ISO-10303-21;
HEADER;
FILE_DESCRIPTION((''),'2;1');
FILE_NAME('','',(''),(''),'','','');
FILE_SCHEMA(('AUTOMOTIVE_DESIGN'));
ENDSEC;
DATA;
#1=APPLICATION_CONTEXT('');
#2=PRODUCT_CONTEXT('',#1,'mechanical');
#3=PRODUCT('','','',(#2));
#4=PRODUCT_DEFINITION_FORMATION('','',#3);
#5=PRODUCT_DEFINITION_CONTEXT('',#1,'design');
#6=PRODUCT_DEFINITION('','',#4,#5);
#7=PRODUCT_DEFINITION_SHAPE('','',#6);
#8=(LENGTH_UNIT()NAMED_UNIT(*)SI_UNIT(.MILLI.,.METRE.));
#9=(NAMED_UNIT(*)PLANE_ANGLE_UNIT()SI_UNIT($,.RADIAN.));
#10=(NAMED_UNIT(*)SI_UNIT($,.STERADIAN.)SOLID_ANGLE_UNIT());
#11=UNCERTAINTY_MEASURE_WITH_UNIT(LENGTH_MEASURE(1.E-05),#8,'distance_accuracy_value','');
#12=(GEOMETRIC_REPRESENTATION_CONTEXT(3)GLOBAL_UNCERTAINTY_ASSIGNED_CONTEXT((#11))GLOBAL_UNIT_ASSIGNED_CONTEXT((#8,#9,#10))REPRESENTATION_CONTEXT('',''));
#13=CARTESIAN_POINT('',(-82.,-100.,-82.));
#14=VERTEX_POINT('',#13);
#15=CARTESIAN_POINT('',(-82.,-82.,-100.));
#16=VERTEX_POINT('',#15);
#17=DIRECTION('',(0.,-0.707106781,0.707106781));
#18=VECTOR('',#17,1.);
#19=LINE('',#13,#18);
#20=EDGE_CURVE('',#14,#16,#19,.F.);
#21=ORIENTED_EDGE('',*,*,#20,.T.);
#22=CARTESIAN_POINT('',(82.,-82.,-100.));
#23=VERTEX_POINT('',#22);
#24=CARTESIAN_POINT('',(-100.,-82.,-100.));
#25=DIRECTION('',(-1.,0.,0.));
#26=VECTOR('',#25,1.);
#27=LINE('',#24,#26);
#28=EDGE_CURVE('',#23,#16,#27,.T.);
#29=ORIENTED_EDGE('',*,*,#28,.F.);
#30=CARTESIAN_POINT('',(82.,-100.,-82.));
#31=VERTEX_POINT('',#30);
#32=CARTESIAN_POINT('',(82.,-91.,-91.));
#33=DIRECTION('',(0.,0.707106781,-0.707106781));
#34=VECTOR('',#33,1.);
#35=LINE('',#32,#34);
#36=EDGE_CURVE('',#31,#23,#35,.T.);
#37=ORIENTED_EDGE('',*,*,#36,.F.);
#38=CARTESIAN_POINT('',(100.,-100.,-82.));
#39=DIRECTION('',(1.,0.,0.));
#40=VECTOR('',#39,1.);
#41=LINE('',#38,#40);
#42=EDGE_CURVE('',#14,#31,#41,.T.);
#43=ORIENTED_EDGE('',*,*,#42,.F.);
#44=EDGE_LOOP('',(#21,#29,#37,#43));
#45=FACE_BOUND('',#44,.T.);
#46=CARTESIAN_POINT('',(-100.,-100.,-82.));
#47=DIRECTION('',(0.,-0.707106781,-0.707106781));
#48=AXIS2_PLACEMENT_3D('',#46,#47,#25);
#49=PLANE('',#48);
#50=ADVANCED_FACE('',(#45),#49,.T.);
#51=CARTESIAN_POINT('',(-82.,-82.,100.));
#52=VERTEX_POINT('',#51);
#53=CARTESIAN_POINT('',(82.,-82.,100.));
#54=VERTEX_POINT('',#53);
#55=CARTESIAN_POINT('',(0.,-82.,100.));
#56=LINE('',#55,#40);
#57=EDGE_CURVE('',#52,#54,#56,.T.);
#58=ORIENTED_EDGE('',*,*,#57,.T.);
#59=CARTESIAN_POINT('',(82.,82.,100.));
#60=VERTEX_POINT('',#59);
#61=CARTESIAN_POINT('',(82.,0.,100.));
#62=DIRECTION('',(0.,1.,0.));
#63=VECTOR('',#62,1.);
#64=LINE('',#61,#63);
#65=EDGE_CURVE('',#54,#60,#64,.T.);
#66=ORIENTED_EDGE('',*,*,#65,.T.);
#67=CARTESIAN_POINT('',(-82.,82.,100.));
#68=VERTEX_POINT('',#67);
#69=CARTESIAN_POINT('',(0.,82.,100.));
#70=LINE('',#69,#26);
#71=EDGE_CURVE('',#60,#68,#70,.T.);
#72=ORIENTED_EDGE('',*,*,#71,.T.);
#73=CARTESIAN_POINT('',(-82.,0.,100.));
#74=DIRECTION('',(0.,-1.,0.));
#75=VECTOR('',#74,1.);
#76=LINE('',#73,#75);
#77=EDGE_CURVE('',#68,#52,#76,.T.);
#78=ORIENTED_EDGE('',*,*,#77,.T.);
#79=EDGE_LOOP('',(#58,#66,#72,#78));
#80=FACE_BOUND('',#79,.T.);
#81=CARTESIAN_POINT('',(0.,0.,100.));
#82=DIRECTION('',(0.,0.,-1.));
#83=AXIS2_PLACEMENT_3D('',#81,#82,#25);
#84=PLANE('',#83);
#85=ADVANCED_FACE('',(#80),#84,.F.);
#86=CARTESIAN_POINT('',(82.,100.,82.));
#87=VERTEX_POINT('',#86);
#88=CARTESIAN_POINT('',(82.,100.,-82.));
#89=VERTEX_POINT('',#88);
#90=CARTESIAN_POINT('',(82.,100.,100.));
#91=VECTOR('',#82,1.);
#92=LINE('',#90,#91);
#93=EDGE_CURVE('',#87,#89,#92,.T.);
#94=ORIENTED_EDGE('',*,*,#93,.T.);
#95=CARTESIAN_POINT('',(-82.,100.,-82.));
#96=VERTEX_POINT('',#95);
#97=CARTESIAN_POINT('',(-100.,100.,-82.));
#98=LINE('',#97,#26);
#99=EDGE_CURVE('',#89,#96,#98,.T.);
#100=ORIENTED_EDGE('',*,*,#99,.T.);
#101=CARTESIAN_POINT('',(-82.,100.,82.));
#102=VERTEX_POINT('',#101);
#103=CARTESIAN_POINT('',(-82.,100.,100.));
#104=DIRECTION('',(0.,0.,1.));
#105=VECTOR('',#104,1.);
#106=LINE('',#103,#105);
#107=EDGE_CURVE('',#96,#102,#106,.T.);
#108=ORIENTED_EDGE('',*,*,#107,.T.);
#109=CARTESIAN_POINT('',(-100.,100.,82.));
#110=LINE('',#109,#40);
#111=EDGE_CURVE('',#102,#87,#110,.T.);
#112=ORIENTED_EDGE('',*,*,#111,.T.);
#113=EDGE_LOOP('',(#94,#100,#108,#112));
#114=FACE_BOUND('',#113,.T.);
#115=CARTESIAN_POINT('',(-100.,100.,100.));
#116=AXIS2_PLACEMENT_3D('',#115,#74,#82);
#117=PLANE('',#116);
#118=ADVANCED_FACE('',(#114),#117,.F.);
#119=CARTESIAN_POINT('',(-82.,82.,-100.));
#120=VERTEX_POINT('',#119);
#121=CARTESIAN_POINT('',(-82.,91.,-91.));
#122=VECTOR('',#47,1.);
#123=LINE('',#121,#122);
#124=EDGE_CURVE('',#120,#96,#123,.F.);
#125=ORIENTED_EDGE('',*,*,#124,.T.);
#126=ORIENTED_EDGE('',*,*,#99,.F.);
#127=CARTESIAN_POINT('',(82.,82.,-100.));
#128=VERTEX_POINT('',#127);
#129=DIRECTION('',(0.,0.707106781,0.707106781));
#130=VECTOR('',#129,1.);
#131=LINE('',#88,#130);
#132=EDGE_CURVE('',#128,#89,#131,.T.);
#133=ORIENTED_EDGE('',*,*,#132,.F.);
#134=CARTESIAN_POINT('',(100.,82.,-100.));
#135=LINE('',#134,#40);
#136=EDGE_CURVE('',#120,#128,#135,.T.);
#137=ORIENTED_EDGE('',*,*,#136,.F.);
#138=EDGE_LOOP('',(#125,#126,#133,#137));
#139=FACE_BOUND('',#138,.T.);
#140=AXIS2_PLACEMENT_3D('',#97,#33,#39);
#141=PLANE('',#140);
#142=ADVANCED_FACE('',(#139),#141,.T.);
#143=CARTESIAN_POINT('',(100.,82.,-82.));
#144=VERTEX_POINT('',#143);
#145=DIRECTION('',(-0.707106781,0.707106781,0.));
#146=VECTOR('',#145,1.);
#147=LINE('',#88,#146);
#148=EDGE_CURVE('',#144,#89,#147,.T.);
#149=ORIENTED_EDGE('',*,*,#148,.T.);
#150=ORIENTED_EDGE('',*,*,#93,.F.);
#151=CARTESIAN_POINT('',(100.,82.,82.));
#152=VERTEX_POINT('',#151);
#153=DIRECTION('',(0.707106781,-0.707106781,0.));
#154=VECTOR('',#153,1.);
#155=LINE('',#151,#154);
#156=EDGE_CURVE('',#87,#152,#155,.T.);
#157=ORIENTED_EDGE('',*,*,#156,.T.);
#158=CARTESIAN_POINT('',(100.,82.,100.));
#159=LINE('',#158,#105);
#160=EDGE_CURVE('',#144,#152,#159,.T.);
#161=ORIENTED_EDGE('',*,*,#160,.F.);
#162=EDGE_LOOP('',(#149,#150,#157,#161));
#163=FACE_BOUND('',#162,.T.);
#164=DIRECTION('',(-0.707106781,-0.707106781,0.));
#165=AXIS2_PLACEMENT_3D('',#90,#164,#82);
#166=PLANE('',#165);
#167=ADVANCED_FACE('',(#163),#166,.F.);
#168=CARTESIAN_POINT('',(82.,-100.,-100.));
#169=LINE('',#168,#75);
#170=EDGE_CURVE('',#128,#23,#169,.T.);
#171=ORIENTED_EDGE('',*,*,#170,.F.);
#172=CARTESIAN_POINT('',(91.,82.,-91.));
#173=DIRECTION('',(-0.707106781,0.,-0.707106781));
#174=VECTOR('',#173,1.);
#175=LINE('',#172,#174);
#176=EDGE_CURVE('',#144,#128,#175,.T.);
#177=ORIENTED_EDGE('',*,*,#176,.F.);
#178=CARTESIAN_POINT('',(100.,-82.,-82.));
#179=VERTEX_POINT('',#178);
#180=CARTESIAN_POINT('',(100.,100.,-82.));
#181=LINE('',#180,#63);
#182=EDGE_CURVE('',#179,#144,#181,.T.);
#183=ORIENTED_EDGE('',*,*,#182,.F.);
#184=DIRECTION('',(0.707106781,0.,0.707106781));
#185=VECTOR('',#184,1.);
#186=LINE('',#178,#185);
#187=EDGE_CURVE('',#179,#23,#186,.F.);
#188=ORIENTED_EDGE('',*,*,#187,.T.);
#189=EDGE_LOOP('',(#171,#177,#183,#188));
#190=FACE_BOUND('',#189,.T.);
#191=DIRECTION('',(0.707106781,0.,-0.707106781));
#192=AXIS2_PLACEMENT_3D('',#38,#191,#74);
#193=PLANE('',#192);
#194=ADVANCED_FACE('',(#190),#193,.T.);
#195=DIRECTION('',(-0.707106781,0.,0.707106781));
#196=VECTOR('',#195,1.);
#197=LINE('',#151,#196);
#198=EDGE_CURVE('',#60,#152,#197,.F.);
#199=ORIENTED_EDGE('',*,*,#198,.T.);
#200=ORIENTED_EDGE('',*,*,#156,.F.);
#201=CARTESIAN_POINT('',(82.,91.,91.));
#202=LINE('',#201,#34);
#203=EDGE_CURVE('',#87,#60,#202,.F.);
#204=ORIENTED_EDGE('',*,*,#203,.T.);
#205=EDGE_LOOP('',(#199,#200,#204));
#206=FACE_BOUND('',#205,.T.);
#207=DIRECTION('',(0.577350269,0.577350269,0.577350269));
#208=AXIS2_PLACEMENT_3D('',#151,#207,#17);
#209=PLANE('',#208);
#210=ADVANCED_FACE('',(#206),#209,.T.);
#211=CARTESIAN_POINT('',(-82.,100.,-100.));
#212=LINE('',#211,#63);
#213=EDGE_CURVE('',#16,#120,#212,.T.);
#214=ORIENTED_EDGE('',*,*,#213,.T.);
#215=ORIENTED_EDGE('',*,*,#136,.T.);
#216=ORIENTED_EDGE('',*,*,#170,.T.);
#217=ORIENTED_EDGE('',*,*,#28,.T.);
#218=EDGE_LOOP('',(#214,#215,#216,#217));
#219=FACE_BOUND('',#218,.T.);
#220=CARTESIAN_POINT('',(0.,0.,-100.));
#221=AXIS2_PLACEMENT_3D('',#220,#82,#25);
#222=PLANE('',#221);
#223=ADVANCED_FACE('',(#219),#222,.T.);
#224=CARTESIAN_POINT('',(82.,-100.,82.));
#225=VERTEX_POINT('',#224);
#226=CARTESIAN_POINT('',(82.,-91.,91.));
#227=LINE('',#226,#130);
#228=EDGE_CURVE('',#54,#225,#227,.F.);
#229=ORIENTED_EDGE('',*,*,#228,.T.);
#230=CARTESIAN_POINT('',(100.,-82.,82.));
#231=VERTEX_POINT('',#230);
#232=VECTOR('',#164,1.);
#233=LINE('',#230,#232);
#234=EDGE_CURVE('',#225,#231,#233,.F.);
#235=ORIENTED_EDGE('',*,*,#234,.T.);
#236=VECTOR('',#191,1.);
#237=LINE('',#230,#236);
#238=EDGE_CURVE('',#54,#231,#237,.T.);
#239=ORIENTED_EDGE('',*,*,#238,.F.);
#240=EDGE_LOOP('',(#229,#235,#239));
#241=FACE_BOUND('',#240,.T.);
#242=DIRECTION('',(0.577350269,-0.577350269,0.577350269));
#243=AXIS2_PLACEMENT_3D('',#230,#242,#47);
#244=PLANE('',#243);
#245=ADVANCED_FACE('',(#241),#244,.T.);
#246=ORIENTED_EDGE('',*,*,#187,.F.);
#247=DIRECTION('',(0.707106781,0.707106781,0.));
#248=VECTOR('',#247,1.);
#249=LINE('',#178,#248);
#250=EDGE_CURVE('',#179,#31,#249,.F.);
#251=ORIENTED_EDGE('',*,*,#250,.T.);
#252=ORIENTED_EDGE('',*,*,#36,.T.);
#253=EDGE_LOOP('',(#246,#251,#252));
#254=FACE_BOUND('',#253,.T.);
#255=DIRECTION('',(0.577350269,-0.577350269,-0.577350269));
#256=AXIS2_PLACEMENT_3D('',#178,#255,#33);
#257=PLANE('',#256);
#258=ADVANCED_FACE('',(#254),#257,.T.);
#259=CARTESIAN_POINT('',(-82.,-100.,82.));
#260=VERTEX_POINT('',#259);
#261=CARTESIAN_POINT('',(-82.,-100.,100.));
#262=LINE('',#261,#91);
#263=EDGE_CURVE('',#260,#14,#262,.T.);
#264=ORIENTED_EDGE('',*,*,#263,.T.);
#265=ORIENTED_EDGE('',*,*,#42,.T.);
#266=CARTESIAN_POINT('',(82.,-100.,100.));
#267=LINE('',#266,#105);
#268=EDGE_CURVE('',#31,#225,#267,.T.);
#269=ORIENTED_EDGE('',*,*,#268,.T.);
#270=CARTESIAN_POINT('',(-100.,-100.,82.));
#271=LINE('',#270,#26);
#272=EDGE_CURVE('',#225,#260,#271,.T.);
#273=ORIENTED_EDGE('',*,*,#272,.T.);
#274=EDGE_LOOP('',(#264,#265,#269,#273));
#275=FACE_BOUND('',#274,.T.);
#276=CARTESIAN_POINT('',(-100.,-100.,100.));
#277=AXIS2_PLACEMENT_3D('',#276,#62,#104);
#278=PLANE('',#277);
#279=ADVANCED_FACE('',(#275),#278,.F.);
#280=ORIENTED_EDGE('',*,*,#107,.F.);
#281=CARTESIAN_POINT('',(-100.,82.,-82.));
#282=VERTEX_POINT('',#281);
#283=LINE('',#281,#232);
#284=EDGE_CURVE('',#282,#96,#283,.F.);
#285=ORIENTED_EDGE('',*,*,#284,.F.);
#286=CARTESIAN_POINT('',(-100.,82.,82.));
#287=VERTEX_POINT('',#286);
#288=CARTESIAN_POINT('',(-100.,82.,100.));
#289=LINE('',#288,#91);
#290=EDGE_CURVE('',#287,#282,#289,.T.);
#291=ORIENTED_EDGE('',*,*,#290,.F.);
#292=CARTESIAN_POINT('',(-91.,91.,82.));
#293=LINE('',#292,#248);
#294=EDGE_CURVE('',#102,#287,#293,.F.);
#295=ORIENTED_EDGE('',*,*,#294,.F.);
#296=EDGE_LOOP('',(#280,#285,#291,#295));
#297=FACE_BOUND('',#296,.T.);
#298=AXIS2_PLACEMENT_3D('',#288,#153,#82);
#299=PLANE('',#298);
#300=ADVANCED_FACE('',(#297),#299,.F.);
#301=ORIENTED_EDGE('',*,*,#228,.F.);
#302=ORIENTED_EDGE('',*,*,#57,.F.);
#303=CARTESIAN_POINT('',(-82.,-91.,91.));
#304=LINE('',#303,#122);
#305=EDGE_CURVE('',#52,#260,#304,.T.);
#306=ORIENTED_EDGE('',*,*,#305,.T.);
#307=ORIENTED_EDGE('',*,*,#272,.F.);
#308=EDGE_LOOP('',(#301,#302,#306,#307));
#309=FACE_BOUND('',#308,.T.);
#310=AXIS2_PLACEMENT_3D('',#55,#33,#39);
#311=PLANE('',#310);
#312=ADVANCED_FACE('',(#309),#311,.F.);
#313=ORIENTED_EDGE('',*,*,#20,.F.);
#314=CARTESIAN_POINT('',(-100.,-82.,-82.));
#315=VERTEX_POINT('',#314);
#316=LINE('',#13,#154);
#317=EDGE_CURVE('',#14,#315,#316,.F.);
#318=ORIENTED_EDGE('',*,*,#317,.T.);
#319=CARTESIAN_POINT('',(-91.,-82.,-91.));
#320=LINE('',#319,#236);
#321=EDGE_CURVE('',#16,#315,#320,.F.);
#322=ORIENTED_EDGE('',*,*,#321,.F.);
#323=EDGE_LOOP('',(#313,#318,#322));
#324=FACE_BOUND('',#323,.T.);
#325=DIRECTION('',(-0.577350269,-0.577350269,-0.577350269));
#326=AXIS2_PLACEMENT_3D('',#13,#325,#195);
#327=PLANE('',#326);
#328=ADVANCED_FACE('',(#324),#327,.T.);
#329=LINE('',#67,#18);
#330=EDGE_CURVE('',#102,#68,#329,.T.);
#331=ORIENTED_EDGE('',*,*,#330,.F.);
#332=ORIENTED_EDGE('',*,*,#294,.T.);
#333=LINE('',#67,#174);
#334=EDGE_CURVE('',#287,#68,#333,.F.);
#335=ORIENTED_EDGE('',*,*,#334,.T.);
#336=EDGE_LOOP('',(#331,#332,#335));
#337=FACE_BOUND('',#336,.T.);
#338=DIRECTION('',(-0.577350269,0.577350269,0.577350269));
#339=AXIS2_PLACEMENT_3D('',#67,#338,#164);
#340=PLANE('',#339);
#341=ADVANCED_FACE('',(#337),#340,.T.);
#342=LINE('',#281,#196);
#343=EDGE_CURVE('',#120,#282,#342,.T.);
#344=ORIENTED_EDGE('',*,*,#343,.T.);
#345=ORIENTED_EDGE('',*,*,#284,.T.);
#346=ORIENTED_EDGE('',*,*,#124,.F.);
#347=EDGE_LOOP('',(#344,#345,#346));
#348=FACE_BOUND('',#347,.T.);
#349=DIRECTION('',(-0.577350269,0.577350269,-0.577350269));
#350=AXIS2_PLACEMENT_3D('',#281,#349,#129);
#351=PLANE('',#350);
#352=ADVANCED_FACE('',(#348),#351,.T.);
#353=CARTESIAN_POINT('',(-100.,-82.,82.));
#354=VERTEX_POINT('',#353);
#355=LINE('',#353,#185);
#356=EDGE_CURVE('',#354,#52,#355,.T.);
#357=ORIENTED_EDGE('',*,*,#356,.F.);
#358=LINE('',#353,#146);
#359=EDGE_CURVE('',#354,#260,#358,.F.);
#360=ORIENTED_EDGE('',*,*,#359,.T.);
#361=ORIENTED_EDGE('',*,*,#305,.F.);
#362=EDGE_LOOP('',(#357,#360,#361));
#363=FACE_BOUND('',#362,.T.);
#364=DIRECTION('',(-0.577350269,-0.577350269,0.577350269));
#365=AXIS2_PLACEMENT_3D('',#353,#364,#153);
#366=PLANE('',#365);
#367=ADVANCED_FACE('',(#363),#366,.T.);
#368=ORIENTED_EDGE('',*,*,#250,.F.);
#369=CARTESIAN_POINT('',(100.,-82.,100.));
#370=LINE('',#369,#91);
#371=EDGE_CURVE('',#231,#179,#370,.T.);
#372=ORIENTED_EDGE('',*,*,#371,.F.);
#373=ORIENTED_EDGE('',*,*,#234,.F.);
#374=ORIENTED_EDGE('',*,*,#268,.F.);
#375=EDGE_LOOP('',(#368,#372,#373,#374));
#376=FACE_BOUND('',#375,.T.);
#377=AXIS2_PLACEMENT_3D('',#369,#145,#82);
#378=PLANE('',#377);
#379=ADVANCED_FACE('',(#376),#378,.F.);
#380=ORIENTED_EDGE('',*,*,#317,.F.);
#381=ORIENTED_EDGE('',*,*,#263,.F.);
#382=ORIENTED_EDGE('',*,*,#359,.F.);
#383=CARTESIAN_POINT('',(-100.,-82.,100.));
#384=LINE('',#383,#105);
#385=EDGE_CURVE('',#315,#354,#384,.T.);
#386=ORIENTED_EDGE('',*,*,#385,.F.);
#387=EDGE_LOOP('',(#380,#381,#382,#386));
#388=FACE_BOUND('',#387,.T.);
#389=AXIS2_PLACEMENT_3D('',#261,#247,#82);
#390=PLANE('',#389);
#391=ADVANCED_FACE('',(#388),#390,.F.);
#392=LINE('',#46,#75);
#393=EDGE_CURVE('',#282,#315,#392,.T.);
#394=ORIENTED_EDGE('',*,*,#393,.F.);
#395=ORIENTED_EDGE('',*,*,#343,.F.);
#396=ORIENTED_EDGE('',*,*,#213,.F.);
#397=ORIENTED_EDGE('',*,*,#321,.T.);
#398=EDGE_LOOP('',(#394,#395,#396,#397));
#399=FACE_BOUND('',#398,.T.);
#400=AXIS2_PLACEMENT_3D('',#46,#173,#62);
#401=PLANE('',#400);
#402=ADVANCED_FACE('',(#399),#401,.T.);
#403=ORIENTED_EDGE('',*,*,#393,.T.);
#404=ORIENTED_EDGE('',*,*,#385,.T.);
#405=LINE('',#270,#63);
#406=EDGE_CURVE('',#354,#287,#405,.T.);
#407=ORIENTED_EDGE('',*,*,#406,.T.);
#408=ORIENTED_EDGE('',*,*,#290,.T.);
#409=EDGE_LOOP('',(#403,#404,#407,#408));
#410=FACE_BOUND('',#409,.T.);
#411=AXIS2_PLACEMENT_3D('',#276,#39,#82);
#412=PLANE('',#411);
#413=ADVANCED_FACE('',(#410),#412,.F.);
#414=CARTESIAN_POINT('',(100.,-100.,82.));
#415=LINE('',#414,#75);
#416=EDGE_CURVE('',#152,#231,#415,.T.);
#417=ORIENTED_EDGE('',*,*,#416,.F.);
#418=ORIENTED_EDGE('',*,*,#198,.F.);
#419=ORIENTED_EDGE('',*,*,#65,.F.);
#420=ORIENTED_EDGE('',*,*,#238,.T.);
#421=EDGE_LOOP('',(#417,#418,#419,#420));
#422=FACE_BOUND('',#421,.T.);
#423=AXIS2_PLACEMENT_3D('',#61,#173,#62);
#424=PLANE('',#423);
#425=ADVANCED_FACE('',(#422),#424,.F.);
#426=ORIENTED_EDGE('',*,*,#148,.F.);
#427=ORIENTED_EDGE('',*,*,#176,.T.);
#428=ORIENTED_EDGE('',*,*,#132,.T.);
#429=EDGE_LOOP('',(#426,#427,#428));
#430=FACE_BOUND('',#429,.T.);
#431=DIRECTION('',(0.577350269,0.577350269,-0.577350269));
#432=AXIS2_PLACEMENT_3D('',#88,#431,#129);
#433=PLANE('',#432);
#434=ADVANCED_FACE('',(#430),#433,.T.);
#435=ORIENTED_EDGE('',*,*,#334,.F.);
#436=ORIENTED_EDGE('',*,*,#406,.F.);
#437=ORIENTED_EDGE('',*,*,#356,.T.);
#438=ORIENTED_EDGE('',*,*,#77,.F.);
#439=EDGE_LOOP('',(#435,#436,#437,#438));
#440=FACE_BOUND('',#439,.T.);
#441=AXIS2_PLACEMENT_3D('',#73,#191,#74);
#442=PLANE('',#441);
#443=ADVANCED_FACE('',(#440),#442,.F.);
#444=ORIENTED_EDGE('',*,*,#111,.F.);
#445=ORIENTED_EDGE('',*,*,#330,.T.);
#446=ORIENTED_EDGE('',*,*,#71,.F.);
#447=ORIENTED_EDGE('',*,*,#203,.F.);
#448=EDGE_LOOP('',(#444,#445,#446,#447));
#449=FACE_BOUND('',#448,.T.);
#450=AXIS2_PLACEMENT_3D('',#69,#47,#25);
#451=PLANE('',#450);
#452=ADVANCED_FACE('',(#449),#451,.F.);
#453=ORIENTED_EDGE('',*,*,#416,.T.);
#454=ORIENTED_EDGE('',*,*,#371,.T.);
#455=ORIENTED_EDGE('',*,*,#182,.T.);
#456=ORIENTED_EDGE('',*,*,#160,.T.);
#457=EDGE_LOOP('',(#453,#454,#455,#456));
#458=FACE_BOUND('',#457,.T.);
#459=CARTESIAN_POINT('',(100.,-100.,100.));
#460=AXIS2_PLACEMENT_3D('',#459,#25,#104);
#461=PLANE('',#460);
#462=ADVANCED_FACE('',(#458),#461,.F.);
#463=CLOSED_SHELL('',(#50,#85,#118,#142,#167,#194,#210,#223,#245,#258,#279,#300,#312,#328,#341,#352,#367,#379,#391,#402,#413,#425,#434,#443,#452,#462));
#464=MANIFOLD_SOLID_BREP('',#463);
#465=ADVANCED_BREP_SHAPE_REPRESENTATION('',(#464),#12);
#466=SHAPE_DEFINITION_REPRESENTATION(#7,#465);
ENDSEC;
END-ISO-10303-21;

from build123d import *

# Parameters (mm, degrees)
SKETCH_1_W      = 200
SKETCH_1_H      = 200
EXTRUDE_1_DEPTH = 100
CHAMFER_1_SIZE  = 18


with BuildPart() as part:
    # 草图1 → 凸台-拉伸1 (new, symmetric)
    with BuildSketch(Plane.XY):
        Rectangle(SKETCH_1_W, SKETCH_1_H)
    extrude(amount=EXTRUDE_1_DEPTH, both=True)

    # 倒角1
    chamfer_1_edges = [part.edges().sort_by_distance(p)[0] for p in [
        (-100, 0, 100),
        (0, -100, 100),
        (100, 0, 100),
        (0, -100, -100),
        (-100, 0, -100),
        (0, 100, -100),
        (100, 0, -100),
        (100, -100, 0),
        (-100, -100, 0),
        (-100, 100, 0),
        (100, 100, 0),
        (0, 100, 100),
    ]]
    chamfer(chamfer_1_edges, length=CHAMFER_1_SIZE)


solid = part.part
